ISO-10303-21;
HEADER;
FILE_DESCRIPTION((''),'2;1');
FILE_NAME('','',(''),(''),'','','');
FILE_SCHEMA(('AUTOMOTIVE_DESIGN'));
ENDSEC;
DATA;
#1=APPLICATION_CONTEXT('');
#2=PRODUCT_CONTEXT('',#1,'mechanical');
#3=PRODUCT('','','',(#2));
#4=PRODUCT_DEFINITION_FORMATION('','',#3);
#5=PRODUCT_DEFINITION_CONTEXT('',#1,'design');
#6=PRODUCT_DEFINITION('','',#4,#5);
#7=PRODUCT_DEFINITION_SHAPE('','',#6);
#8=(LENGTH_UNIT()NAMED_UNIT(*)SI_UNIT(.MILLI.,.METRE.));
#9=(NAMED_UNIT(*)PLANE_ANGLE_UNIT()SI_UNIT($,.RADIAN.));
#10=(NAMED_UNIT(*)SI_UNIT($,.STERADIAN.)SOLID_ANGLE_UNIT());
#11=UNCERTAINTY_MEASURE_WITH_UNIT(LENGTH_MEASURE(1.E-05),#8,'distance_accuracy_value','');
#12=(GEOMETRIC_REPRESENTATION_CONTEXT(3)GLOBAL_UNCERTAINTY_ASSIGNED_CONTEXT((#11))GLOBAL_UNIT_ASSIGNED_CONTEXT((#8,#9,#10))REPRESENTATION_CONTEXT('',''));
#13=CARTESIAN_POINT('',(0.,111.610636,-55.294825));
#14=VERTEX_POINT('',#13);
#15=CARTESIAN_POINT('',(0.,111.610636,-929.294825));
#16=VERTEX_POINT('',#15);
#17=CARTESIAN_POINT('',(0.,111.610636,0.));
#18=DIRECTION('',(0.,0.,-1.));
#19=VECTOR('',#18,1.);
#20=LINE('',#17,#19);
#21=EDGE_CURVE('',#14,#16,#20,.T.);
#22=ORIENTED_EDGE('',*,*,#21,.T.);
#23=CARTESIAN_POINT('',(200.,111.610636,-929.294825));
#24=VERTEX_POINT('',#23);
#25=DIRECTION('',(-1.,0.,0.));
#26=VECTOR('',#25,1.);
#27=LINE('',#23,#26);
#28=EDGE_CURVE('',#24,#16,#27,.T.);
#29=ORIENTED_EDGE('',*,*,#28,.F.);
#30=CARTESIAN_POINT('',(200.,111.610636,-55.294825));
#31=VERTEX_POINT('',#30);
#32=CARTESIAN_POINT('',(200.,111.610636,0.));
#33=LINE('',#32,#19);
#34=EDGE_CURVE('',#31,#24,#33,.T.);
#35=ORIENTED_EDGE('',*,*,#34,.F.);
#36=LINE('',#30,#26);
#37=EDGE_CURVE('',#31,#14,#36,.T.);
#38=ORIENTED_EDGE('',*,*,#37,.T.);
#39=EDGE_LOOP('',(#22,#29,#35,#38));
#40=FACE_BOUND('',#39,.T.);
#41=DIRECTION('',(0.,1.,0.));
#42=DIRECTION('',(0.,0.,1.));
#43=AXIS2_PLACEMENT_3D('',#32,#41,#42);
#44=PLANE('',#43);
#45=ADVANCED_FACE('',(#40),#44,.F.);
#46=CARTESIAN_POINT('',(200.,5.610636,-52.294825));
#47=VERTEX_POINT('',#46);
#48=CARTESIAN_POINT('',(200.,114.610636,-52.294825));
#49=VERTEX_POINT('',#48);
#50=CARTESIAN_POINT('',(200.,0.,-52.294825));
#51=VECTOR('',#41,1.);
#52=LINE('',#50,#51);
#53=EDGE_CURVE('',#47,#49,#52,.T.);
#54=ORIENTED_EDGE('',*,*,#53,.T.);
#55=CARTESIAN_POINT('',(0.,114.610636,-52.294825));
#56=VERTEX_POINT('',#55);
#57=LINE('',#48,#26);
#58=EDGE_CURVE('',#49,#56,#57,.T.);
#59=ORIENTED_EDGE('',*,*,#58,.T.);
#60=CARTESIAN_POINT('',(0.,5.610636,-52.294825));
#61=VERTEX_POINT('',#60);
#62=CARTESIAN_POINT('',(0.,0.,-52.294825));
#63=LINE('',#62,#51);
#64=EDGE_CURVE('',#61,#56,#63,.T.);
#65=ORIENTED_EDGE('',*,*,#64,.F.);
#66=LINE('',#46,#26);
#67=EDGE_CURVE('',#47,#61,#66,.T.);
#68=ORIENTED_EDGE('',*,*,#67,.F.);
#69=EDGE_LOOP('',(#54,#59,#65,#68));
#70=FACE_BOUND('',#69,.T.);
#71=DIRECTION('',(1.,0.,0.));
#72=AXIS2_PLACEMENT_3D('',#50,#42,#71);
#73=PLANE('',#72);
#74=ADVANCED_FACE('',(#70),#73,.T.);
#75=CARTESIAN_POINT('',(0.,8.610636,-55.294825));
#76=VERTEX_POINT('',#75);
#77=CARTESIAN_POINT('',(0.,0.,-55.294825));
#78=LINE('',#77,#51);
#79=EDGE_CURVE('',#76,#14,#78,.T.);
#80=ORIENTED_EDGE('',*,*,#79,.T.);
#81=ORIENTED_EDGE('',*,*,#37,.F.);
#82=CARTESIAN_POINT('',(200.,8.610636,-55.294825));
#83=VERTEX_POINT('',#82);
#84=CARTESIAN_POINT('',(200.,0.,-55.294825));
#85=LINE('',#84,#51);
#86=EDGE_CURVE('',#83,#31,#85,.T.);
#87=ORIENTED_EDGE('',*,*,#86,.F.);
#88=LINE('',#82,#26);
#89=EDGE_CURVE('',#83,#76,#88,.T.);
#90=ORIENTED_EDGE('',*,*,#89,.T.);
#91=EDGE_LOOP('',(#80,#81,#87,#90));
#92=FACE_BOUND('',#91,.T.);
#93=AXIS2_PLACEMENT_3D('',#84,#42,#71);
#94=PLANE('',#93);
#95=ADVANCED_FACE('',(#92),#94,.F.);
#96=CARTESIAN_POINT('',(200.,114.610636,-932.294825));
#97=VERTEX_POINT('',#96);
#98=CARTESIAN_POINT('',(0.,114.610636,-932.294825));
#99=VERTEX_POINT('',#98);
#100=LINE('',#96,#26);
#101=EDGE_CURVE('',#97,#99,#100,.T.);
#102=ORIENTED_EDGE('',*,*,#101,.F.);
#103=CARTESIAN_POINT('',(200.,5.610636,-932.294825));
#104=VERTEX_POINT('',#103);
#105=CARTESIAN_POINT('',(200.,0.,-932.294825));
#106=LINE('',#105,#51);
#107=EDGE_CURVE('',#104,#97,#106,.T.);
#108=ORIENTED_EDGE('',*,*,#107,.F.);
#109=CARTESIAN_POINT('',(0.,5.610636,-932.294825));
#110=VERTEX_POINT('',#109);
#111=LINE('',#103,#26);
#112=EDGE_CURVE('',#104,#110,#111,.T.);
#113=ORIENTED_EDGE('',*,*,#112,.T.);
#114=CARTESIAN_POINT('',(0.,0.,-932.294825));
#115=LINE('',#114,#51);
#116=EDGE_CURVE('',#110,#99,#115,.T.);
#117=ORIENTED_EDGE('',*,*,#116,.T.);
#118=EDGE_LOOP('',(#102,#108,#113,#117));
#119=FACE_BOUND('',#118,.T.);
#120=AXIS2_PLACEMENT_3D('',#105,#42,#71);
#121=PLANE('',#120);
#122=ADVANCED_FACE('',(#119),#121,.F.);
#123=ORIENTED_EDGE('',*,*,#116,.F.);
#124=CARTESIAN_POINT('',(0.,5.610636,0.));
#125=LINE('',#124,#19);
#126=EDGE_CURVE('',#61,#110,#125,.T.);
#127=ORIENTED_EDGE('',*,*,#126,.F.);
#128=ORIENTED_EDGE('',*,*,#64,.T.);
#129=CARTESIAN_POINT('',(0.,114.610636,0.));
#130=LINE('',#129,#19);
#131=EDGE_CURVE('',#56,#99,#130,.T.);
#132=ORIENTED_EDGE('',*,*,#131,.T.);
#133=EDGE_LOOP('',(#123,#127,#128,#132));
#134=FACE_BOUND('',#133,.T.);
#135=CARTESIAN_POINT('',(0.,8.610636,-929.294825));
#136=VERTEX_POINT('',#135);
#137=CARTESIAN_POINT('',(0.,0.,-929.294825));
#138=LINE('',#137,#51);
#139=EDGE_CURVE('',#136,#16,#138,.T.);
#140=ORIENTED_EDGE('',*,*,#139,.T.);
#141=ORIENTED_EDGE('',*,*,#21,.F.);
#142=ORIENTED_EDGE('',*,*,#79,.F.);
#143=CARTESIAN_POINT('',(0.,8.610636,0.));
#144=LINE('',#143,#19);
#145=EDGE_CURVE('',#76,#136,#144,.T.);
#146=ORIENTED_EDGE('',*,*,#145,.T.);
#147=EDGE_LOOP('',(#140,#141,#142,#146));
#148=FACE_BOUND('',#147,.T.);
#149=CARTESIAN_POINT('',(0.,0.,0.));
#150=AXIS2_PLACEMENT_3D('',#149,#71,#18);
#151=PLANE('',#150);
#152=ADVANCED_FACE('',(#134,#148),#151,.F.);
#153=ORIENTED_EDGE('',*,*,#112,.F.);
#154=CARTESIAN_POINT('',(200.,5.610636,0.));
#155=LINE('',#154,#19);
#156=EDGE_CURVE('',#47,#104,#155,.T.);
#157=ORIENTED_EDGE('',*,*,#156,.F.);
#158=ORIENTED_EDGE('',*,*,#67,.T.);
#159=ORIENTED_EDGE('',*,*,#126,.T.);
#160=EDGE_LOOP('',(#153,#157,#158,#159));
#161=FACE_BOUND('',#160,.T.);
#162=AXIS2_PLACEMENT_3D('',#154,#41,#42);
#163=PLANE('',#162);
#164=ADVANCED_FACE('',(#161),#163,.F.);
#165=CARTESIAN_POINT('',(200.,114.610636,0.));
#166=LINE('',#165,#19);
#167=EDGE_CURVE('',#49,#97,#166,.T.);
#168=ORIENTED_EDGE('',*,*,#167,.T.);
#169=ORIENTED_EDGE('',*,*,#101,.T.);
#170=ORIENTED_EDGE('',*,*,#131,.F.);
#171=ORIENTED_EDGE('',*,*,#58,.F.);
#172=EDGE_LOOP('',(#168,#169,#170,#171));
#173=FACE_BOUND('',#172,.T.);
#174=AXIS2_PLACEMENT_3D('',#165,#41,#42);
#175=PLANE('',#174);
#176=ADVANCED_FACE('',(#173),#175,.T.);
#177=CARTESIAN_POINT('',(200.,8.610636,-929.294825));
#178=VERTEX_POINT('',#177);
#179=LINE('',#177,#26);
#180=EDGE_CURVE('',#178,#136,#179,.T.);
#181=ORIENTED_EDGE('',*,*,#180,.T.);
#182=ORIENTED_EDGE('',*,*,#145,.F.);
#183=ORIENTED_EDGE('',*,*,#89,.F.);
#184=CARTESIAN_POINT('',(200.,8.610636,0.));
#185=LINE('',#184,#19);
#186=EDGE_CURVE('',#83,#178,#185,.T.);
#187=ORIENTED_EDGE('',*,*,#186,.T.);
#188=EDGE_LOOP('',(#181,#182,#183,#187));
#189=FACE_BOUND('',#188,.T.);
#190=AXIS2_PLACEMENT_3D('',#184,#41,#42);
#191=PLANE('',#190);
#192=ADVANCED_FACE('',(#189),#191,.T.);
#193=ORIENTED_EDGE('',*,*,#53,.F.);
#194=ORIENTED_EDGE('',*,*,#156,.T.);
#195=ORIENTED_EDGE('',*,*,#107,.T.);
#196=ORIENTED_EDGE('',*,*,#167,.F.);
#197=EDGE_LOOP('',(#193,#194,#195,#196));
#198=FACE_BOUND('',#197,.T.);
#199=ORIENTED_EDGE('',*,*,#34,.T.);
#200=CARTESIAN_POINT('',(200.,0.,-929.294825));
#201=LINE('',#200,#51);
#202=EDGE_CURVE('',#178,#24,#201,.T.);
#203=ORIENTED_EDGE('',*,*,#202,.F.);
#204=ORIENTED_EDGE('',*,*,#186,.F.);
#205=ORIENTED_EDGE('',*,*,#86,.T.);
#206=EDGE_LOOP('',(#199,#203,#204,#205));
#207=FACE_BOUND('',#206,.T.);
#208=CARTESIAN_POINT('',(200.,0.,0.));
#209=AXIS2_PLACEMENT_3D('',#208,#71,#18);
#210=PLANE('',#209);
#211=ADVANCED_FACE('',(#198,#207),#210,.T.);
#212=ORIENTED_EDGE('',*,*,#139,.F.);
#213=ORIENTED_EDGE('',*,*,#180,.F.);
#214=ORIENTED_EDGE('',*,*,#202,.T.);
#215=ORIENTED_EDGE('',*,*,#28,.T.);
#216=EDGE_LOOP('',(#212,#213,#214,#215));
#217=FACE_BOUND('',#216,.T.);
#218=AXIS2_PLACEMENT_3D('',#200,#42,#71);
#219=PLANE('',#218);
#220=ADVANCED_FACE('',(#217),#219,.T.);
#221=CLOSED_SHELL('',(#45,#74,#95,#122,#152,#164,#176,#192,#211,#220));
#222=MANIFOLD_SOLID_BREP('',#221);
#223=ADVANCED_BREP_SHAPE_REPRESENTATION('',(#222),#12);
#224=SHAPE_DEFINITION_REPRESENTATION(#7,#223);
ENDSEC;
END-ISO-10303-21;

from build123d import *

# Parameters (mm, degrees)
SKETCH3_W           = 880
SKETCH3_H           = 109
SKETCH3_W_2         = 874
SKETCH3_H_2         = 103
BOSS_EXTRUDE2_DEPTH = 200


with BuildPart() as part:
    # Sketch3 → Boss-Extrude2 (new body)
    with BuildSketch(Plane(origin=(0, 0, 0), x_dir=(0, 0, -1), z_dir=(1, 0, 0))):
        with Locations((492.294825051, 60.110635538)):
            Rectangle(SKETCH3_W, SKETCH3_H)
        with Locations((492.294825051, 60.110635538)):
            Rectangle(SKETCH3_W_2, SKETCH3_H_2, mode=Mode.SUBTRACT)
    extrude(amount=BOSS_EXTRUDE2_DEPTH)


solid = part.part
